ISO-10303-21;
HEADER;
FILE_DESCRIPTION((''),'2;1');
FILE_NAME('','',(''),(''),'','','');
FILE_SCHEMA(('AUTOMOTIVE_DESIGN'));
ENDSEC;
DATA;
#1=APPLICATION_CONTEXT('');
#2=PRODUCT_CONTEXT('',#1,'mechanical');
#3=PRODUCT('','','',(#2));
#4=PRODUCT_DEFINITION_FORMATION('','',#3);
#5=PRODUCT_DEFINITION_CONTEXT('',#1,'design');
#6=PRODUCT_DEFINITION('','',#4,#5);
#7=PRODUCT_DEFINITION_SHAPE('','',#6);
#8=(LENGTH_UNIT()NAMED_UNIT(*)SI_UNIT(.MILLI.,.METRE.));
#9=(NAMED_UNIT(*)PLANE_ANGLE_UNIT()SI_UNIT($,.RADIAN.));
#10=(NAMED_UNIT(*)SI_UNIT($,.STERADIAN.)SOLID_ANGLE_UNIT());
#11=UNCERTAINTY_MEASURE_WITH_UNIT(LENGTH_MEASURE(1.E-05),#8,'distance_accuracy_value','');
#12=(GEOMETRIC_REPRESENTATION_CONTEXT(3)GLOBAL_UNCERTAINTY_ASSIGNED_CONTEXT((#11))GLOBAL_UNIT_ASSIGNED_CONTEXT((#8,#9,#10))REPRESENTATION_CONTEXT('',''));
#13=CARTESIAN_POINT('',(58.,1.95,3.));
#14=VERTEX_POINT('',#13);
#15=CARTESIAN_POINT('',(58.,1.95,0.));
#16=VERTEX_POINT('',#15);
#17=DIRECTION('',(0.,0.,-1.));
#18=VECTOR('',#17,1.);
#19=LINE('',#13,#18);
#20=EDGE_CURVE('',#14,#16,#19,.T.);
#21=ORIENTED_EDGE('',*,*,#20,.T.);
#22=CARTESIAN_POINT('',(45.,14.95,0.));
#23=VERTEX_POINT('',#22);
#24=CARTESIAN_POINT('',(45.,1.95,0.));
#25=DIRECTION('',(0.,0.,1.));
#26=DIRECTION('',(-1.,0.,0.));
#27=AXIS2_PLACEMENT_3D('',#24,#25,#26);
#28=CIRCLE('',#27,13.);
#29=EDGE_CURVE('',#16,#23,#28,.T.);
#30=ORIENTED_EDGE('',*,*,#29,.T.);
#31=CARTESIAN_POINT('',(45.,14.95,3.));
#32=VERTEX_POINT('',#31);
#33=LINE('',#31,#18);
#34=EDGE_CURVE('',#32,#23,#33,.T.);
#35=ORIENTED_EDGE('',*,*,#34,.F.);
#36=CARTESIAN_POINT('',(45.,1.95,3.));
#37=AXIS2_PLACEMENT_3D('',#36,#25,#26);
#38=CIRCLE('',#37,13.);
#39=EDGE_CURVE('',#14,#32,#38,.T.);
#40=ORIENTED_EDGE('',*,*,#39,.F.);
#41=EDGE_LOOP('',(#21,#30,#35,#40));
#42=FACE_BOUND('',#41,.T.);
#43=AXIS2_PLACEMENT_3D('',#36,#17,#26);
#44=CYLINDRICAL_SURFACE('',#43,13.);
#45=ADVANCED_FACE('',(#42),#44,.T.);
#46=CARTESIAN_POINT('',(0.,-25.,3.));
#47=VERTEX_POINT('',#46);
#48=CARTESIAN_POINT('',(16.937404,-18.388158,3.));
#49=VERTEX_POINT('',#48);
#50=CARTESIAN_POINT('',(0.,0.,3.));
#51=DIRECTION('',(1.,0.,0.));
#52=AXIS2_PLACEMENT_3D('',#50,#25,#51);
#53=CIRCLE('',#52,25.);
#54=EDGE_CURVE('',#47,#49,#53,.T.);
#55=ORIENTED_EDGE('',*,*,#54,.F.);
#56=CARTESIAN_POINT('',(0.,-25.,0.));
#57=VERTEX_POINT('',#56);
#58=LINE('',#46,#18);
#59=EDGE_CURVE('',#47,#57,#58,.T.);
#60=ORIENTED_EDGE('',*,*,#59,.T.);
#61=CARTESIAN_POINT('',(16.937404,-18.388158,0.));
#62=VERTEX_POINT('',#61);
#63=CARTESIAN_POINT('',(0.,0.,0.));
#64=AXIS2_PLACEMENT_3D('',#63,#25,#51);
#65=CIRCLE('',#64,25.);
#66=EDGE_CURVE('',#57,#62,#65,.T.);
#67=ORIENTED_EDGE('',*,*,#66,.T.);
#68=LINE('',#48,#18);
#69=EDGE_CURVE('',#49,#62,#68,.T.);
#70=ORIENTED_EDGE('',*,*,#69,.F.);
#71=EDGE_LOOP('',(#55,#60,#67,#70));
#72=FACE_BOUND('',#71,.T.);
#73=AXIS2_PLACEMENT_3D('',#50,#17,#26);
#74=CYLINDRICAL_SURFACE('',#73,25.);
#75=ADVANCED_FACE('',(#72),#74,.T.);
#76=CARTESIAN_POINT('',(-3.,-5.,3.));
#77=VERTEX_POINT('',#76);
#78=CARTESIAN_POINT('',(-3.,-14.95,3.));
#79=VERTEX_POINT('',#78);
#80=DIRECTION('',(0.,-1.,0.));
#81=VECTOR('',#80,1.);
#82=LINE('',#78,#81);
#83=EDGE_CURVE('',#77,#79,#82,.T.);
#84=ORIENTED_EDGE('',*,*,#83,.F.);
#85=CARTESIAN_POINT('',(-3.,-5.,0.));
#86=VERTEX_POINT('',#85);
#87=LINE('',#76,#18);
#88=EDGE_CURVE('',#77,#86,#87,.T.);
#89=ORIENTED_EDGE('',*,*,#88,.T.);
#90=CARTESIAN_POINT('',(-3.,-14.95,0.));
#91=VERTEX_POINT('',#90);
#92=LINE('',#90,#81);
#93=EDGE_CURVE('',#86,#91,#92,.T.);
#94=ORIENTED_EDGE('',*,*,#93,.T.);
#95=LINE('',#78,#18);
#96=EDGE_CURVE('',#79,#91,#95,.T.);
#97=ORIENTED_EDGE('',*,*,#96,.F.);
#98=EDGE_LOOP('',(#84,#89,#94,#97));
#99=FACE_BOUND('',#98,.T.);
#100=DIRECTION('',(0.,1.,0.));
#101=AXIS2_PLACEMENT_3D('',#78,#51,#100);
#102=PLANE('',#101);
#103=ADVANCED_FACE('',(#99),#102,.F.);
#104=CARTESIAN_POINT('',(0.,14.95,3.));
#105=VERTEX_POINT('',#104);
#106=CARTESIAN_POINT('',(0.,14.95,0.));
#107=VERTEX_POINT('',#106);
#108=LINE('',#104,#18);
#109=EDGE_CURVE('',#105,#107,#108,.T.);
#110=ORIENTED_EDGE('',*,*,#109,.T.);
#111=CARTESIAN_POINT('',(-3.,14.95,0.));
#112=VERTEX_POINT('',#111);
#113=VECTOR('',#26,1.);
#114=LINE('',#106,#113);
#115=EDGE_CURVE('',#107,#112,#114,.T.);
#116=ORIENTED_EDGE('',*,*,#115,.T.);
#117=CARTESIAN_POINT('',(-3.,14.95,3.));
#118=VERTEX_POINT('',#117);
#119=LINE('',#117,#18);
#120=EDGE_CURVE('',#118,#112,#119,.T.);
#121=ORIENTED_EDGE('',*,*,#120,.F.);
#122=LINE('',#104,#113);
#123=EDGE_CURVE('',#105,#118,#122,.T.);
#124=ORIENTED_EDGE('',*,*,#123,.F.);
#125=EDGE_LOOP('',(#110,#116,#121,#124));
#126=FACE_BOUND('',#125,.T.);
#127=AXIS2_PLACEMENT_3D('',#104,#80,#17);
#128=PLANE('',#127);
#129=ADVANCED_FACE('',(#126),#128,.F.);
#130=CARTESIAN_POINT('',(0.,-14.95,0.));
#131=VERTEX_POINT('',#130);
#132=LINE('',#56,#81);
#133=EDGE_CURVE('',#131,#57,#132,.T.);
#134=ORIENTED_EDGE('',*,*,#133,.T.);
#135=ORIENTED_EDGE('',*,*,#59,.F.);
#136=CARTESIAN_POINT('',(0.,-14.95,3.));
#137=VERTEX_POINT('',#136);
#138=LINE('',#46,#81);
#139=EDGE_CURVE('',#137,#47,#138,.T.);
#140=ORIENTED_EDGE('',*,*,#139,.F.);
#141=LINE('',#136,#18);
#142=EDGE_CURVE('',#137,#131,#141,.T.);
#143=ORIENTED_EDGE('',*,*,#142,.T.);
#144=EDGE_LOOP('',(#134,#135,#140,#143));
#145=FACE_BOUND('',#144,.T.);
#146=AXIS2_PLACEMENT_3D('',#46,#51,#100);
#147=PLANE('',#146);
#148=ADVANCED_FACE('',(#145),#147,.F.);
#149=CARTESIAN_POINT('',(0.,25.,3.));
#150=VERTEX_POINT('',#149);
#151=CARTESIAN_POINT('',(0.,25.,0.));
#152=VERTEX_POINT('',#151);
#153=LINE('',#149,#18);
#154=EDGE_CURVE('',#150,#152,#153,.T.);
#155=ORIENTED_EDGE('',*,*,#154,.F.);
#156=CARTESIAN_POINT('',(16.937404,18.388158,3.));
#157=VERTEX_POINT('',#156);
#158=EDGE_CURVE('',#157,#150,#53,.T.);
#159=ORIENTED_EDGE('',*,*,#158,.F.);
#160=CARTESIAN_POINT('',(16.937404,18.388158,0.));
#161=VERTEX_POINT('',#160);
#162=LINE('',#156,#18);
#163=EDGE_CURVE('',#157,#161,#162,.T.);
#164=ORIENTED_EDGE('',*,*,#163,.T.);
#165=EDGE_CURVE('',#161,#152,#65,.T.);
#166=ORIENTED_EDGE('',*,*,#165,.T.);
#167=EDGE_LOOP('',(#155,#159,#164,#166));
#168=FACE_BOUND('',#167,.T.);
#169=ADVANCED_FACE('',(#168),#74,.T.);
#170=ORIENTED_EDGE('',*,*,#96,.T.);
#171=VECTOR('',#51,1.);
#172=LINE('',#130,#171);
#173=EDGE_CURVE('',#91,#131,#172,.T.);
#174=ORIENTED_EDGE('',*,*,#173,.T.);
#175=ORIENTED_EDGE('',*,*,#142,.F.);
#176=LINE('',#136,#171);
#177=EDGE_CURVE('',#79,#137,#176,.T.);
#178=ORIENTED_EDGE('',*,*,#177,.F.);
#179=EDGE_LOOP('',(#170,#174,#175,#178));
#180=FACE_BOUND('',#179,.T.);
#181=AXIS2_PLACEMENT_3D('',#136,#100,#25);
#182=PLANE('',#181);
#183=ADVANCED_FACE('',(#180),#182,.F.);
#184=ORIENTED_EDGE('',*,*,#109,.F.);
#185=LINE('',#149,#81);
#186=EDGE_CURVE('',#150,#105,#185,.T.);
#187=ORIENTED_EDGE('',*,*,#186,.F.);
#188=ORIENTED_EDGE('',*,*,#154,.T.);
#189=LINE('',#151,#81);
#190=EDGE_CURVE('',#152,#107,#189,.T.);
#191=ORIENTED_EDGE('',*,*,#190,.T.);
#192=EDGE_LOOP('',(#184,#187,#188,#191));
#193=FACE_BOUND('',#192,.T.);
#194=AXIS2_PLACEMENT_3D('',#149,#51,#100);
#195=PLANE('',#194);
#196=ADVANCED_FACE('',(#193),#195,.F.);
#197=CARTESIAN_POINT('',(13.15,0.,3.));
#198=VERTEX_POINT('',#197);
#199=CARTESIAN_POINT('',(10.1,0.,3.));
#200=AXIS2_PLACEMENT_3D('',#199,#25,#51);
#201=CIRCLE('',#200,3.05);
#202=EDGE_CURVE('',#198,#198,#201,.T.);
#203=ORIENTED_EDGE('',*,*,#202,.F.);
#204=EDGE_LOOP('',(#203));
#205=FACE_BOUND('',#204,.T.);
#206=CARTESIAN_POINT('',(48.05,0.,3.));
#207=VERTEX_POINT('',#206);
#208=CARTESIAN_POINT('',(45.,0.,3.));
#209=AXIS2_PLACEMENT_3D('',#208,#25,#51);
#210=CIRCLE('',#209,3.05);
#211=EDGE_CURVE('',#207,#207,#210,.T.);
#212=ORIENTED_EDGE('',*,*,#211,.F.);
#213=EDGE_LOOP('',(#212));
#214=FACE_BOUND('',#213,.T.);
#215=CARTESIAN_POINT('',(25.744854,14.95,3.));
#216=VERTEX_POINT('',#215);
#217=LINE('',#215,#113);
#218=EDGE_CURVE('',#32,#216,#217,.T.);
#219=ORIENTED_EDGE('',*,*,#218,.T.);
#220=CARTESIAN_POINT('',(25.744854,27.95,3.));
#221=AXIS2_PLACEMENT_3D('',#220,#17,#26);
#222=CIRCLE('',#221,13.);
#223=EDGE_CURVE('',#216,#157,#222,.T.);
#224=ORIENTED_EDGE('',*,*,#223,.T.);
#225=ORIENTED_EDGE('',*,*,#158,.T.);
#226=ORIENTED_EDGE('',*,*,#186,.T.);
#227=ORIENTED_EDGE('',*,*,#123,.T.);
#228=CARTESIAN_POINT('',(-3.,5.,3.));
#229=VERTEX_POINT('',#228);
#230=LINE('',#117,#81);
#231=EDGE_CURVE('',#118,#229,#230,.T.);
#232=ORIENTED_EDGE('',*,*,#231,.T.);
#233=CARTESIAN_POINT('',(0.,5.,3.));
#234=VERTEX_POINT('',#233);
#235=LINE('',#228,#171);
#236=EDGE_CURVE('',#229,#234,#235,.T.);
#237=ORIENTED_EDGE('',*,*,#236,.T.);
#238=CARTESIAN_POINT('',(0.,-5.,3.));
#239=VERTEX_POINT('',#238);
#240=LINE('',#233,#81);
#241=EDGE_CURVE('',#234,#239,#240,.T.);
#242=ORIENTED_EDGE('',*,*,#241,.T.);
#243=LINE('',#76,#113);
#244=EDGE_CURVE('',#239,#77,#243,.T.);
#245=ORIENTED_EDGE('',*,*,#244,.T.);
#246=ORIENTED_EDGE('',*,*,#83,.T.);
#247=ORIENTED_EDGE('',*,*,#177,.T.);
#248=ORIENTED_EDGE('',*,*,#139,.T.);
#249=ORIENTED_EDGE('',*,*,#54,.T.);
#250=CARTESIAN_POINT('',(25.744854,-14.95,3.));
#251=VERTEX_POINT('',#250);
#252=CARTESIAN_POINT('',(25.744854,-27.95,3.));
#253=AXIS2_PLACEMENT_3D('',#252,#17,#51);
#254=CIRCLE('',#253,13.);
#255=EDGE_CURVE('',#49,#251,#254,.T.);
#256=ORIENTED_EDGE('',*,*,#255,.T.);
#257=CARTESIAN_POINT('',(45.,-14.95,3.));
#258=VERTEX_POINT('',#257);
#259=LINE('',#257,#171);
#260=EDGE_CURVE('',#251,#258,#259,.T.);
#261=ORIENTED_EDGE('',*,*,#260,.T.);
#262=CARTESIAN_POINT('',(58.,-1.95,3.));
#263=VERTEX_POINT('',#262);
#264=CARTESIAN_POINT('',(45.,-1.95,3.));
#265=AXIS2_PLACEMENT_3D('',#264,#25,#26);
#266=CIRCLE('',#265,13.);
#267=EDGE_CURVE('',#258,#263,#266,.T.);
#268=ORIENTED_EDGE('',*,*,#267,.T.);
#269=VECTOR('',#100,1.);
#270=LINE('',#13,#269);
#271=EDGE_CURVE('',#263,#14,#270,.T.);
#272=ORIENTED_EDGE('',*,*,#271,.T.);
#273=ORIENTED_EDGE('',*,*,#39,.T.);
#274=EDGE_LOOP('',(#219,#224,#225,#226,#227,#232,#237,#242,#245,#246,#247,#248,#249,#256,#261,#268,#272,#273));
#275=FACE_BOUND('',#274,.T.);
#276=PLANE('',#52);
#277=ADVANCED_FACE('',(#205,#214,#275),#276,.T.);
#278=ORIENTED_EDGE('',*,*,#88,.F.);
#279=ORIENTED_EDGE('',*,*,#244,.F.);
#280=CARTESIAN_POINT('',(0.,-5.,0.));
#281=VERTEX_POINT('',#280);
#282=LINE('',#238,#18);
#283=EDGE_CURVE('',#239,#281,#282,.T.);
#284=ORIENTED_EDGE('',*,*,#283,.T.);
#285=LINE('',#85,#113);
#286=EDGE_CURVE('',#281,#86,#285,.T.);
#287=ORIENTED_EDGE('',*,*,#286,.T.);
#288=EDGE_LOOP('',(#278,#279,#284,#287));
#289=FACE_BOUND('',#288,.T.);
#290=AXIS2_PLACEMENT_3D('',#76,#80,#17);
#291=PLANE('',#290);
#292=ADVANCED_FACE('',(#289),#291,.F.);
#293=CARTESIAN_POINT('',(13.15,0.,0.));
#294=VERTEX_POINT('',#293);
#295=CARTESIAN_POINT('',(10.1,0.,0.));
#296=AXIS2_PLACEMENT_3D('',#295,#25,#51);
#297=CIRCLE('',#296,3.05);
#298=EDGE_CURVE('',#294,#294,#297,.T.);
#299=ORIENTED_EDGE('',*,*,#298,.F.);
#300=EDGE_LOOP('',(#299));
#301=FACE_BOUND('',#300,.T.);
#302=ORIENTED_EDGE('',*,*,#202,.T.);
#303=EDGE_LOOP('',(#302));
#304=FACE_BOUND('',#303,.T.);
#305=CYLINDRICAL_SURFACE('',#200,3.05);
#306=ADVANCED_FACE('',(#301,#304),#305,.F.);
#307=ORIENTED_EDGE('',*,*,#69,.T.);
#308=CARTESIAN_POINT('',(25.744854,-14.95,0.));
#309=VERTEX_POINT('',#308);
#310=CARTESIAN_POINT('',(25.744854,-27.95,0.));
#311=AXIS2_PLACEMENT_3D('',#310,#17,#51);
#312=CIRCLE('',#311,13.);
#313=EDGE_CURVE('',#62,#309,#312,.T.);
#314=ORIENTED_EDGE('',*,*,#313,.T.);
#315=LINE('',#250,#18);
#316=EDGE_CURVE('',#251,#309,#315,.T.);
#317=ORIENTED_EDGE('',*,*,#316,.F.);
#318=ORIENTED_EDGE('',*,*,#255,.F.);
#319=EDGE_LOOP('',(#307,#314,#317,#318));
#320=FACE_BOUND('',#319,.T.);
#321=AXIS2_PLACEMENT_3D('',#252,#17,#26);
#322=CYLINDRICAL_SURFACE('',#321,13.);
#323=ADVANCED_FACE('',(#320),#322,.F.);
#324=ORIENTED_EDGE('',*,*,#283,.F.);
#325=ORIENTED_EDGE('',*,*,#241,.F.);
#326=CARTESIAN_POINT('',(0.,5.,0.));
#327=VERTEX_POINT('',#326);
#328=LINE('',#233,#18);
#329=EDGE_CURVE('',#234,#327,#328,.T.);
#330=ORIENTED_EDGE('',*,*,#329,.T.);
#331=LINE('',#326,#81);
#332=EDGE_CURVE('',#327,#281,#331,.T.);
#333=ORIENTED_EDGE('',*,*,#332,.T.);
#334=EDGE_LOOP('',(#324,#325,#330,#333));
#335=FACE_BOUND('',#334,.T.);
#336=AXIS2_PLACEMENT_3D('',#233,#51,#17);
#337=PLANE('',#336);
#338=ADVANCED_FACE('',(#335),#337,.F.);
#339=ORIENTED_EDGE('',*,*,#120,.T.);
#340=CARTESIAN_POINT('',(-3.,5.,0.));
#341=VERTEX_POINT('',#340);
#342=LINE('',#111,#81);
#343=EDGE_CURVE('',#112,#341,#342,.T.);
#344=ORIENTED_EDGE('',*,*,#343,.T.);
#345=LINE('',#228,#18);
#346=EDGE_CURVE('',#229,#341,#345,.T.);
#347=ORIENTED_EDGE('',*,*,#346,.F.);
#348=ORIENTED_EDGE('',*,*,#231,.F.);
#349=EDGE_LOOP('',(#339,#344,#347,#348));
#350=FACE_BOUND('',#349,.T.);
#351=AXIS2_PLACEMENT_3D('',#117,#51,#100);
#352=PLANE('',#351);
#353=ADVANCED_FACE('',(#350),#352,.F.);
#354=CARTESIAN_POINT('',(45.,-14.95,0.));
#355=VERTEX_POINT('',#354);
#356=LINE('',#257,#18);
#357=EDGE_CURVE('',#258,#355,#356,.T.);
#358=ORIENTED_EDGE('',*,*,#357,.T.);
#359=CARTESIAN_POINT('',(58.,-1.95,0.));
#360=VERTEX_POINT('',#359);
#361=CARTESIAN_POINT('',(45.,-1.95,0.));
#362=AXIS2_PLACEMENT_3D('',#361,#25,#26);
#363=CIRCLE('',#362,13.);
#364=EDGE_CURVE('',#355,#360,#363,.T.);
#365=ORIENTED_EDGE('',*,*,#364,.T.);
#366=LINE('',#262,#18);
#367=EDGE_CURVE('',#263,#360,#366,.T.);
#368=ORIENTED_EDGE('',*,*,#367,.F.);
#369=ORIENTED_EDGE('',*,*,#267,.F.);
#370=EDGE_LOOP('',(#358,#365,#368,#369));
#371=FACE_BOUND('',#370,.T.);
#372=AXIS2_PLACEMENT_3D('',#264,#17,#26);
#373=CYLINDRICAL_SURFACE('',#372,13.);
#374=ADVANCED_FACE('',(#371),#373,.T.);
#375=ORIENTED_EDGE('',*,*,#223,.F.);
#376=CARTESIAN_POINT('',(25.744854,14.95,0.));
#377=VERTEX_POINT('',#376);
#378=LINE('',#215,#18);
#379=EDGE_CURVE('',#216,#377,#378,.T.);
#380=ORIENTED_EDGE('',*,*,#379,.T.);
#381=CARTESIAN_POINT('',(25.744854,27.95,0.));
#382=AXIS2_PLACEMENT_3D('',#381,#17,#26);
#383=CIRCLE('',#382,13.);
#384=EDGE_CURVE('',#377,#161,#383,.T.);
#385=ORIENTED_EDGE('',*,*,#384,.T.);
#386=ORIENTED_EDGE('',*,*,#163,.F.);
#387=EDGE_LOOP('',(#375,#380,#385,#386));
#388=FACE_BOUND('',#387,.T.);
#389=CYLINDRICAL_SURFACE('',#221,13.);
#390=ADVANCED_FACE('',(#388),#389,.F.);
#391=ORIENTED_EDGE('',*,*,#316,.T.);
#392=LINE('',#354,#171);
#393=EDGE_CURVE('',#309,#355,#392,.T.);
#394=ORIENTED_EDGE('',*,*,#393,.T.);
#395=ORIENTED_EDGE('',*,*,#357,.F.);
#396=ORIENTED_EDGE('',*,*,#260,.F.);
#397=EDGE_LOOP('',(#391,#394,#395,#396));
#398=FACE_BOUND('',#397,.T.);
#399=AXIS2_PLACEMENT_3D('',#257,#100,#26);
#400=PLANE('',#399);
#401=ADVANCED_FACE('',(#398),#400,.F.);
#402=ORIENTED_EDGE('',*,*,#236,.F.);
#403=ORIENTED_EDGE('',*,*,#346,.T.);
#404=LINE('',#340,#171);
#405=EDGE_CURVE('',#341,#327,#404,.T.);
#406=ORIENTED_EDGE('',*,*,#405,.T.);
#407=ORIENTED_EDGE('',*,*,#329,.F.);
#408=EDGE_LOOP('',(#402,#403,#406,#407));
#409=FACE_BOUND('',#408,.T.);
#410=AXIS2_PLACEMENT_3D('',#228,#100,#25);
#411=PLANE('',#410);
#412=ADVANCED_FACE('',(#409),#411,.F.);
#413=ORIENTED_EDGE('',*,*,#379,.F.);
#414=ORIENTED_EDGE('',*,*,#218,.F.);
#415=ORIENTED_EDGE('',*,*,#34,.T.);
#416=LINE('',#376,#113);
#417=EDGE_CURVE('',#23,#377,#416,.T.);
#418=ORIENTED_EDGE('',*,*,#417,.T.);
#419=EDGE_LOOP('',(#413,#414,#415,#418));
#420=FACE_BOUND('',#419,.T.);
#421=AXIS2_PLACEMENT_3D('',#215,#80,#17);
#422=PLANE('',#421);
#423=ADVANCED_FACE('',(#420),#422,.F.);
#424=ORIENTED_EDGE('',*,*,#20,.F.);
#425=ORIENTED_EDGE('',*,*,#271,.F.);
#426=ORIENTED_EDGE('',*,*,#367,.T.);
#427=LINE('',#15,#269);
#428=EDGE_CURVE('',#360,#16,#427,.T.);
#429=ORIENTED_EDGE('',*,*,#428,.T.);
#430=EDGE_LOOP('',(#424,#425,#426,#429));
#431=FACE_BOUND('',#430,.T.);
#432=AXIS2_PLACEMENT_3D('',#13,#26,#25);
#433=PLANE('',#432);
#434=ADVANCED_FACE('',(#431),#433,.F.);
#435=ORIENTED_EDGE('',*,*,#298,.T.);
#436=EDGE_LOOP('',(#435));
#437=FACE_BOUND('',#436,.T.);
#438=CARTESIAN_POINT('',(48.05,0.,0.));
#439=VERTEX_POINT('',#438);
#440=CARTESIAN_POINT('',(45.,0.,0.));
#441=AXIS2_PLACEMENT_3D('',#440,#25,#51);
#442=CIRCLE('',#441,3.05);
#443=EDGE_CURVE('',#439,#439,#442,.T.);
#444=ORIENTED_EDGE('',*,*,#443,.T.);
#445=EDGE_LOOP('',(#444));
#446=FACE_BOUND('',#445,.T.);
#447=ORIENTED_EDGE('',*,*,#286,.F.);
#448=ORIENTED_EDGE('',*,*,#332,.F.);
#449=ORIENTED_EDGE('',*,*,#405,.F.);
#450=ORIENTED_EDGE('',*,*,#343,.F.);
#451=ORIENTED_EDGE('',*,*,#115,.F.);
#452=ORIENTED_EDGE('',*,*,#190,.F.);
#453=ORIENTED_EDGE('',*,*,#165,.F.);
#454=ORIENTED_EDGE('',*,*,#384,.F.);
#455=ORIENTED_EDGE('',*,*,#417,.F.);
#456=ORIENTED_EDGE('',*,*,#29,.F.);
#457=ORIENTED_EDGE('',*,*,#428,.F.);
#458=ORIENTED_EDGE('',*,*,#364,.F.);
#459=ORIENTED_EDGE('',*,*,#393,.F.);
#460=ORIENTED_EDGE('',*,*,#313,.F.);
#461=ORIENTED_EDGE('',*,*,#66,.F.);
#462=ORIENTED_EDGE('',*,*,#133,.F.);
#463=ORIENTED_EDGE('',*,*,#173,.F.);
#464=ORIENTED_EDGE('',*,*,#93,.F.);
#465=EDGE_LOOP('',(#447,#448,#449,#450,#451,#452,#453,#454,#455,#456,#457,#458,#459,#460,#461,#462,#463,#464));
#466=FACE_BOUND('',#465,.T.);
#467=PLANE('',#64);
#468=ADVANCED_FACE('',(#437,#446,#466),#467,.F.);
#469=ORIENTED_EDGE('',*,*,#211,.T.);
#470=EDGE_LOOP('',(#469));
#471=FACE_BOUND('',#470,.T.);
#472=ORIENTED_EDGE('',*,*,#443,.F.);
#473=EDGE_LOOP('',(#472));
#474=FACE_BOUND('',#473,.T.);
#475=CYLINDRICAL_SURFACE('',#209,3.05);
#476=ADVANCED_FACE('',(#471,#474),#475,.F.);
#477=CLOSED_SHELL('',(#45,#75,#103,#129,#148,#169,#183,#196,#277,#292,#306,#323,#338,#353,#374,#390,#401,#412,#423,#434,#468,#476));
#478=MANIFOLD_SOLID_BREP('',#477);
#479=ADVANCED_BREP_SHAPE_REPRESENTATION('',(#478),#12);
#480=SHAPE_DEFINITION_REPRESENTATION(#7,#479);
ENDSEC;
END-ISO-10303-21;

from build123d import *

# Parameters (mm, degrees)
BOSS_EXTRUDE1_DEPTH            = 3
F_6_1_6_1_DIAMETER_HOLE1_D     = 6.1
F_6_1_6_1_DIAMETER_HOLE1_DEPTH = 10
F_6_1_6_1_DIAMETER_HOLE1_TIP   = 1.832624888


with BuildPart() as part:
    # Sketch1 → Boss-Extrude1 (new body)
    with BuildSketch(Plane.XY):
        with BuildLine():
            Line((0, 25), (0, 14.95))
            Line((0, 14.95), (-3, 14.95))
            Line((-3, 14.95), (-3, 5))
            Line((-3, 5), (0, 5))
            Line((0, 5), (0, -5))
            Line((0, -5), (-3, -5))
            Line((-3, -5), (-3, -14.95))
            Line((-3, -14.95), (0, -14.95))
            Line((0, -14.95), (0, -25))
            ThreePointArc((0, -25), (9.091095991, -23.288451509), (16.937403852, -18.388157895))
            ThreePointArc((16.937403852, -18.388157895), (21.017483939, -15.840005215), (25.744853855, -14.95))
            Line((25.744853855, -14.95), (45, -14.95))
            ThreePointArc((45, -14.95), (54.192388155, -11.142388155), (58, -1.95))
            Line((58, -1.95), (58, 1.95))
            ThreePointArc((58, 1.95), (54.192388155, 11.142388155), (45, 14.95))
            Line((45, 14.95), (25.744853855, 14.95))
            ThreePointArc((25.744853855, 14.95), (21.017483939, 15.840005215), (16.937403852, 18.388157895))
            ThreePointArc((16.937403852, 18.388157895), (9.091095991, 23.288451509), (0, 25))
        make_face()
    extrude(amount=BOSS_EXTRUDE1_DEPTH)

    # Ø6.1 (6.1) Diameter Hole1
    with Locations(Plane.XY.offset(3)):
        with Locations((10.1, 0), (45, 0)):
            Hole(F_6_1_6_1_DIAMETER_HOLE1_D / 2, depth=F_6_1_6_1_DIAMETER_HOLE1_DEPTH)
            with Locations((0, 0, -(F_6_1_6_1_DIAMETER_HOLE1_DEPTH + F_6_1_6_1_DIAMETER_HOLE1_TIP / 2))):  # 118° drill point
                Cone(0, F_6_1_6_1_DIAMETER_HOLE1_D / 2, F_6_1_6_1_DIAMETER_HOLE1_TIP, mode=Mode.SUBTRACT)


solid = part.part
